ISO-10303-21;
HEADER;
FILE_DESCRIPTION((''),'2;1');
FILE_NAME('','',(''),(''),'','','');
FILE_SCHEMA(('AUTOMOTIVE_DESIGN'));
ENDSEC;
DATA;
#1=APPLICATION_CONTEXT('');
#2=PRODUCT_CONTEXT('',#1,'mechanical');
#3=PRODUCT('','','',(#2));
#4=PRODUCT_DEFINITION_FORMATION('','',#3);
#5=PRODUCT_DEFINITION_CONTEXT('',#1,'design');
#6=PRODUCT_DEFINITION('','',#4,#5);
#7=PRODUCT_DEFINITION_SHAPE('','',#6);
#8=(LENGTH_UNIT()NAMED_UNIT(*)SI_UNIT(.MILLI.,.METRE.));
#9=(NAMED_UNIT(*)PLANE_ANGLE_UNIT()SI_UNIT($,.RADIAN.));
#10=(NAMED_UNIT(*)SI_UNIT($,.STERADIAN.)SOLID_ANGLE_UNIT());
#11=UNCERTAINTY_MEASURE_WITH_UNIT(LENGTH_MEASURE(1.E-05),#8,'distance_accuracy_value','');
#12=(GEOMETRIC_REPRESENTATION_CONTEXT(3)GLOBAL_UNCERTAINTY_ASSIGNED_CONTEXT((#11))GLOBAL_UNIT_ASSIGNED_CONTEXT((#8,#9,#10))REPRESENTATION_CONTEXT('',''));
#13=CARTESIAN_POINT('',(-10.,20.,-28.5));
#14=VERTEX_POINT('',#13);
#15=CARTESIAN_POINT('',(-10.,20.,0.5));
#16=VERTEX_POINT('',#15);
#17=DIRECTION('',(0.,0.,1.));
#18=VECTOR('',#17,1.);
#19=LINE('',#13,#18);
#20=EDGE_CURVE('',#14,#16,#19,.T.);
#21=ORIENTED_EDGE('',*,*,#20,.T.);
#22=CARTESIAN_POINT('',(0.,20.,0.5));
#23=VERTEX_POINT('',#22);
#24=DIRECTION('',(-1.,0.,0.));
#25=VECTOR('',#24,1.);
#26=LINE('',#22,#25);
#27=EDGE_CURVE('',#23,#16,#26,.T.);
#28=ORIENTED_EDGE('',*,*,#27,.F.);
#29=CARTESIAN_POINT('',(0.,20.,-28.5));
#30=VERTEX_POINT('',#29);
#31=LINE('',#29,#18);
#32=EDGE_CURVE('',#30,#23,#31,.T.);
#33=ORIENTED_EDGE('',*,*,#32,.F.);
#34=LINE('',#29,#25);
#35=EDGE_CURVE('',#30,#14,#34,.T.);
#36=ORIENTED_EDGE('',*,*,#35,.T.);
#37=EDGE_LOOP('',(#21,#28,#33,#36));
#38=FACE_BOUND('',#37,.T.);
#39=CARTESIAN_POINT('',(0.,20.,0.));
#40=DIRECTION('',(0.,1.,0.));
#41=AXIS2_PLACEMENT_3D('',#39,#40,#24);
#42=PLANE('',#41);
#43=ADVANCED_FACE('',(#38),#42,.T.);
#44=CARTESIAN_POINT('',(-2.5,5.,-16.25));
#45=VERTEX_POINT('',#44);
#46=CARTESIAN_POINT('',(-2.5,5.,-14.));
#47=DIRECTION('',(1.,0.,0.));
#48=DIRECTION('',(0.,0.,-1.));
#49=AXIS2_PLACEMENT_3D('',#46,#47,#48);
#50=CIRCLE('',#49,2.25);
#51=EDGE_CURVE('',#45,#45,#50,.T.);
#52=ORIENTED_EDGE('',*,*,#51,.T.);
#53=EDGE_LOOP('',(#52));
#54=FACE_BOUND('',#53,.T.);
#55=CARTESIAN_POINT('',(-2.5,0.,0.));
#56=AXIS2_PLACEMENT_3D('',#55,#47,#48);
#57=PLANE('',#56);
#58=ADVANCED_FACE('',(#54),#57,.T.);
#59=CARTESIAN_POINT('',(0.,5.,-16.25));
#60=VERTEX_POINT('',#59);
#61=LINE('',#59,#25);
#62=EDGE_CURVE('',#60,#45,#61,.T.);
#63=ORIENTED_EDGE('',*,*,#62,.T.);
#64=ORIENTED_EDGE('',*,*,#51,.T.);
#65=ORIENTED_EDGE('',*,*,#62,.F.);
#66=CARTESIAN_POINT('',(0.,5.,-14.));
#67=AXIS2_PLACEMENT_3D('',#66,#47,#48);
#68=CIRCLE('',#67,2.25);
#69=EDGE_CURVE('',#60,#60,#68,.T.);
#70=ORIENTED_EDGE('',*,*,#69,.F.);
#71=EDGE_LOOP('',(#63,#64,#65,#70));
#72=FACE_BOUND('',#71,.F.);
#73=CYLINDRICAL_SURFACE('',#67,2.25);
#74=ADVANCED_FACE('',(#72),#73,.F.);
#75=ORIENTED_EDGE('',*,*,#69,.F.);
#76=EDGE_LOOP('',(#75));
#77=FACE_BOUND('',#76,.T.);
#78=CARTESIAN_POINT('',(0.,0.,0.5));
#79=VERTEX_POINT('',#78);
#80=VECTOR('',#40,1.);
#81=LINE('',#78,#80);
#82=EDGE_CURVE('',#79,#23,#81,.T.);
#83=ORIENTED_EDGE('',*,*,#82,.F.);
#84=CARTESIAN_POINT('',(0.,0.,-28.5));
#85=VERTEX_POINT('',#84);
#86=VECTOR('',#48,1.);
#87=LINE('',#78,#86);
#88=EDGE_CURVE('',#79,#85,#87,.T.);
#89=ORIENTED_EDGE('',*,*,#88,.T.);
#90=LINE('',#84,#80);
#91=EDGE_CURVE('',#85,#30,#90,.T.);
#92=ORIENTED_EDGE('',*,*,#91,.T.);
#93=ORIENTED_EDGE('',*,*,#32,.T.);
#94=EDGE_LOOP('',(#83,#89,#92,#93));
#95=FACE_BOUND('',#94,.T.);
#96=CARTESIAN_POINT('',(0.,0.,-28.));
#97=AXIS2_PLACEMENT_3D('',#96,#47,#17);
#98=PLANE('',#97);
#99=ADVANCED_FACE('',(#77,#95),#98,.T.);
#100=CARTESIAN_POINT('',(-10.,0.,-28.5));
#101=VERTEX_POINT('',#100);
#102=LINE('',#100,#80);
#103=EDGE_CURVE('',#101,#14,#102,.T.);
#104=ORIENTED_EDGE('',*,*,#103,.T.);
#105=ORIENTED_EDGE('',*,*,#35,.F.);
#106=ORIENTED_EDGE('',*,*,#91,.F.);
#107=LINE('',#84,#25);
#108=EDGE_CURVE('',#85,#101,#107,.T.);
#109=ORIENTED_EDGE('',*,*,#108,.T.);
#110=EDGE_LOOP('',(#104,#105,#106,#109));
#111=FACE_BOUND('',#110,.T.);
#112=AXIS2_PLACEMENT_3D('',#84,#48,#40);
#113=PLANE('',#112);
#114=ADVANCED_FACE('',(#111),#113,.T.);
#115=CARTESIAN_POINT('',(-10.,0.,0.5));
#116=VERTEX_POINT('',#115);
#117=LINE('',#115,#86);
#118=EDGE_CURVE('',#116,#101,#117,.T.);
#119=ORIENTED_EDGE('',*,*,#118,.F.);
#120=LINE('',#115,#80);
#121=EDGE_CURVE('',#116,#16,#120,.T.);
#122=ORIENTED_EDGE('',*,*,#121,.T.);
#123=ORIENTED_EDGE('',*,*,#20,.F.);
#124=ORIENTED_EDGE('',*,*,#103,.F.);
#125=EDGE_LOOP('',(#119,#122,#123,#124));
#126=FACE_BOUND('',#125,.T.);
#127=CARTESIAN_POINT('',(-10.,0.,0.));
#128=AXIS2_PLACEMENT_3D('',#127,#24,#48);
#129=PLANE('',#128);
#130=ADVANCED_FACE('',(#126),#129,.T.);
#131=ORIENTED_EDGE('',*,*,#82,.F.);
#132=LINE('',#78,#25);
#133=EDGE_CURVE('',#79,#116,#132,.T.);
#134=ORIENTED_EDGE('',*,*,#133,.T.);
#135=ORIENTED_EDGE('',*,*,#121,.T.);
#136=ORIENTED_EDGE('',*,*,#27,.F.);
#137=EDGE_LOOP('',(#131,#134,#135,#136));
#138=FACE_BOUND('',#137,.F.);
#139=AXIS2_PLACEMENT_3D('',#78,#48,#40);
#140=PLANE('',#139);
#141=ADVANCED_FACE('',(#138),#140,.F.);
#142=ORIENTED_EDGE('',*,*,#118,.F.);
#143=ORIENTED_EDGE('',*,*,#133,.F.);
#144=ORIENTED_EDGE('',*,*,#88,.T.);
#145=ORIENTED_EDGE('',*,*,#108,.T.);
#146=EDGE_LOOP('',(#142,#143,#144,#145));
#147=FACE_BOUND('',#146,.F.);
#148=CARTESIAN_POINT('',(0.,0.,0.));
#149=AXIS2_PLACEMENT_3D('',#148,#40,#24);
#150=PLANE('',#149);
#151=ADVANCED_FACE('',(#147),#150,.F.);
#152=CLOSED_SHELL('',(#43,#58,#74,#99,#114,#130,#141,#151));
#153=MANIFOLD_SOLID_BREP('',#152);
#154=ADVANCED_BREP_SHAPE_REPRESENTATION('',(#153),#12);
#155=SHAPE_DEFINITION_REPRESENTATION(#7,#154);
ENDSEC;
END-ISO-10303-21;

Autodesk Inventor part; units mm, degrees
ref_plane "YZ Plane" through (0, 0, 0) normal (1, 0, 0) x (0, 1, 0)
ref_plane "XZ Plane" through (0, 0, 0) normal (0, 1, 0) x (-1, 0, 0)
ref_plane "XY Plane" through (0, 0, 0) normal (0, 0, 1) x (1, 0, 0)
sketch "Sketch1" plane through (0, 0, 0) normal (0, 1, 0) x (-1, 0, 0)
  line L0 (0, 0) -> (10, 0)
  line L1 (10, 0) -> (10, -28)
  line L2 (10, -28) -> (0, -28)
  line L3 (0, -28) -> (0, 0)
extrude "Extrusion1" add sketch "Sketch1" along normal blind 20
sketch "Sketch6" plane through (0, 0, 0) normal (1, 0, 0) x (0, 0, -1)
  point P0 (0, 0)
sketch "Sketch7" plane through (0, 0, 0) normal (1, 0, 0) x (0, 0, -1)
  circle A0 centre (14, 5) radius 2.25
  point P0 (0, 0)
  dimension "d14" = 4.5
extrude "Extrusion6" cut sketch "Sketch7" against normal blind 2.5
sketch "Sketch8" plane through (0, 0, 0) normal (1, 0, 0) x (0, 0, -1)
  line L0 (0, 0) -> (0, 20) projected
  line L1 (0, 0) -> (-0.5, 0)
  line L2 (-0.5, 0) -> (-0.5, 20)
  line L3 (-0.5, 20) -> (0, 20)
  line L4 (0, 20) -> (0, 0)
  line L5 (28, 0) -> (28.5, 0)
  line L6 (28.5, 0) -> (28.5, 20)
  line L7 (28.5, 20) -> (28, 20)
  line L8 (28, 20) -> (28, 0)
  dimension "d17" = 0.5
  dimension "d18" = 0.5
extrude "Extrusion7" add sketch "Sketch8" against normal blind 10
properties part number "Kolv"
